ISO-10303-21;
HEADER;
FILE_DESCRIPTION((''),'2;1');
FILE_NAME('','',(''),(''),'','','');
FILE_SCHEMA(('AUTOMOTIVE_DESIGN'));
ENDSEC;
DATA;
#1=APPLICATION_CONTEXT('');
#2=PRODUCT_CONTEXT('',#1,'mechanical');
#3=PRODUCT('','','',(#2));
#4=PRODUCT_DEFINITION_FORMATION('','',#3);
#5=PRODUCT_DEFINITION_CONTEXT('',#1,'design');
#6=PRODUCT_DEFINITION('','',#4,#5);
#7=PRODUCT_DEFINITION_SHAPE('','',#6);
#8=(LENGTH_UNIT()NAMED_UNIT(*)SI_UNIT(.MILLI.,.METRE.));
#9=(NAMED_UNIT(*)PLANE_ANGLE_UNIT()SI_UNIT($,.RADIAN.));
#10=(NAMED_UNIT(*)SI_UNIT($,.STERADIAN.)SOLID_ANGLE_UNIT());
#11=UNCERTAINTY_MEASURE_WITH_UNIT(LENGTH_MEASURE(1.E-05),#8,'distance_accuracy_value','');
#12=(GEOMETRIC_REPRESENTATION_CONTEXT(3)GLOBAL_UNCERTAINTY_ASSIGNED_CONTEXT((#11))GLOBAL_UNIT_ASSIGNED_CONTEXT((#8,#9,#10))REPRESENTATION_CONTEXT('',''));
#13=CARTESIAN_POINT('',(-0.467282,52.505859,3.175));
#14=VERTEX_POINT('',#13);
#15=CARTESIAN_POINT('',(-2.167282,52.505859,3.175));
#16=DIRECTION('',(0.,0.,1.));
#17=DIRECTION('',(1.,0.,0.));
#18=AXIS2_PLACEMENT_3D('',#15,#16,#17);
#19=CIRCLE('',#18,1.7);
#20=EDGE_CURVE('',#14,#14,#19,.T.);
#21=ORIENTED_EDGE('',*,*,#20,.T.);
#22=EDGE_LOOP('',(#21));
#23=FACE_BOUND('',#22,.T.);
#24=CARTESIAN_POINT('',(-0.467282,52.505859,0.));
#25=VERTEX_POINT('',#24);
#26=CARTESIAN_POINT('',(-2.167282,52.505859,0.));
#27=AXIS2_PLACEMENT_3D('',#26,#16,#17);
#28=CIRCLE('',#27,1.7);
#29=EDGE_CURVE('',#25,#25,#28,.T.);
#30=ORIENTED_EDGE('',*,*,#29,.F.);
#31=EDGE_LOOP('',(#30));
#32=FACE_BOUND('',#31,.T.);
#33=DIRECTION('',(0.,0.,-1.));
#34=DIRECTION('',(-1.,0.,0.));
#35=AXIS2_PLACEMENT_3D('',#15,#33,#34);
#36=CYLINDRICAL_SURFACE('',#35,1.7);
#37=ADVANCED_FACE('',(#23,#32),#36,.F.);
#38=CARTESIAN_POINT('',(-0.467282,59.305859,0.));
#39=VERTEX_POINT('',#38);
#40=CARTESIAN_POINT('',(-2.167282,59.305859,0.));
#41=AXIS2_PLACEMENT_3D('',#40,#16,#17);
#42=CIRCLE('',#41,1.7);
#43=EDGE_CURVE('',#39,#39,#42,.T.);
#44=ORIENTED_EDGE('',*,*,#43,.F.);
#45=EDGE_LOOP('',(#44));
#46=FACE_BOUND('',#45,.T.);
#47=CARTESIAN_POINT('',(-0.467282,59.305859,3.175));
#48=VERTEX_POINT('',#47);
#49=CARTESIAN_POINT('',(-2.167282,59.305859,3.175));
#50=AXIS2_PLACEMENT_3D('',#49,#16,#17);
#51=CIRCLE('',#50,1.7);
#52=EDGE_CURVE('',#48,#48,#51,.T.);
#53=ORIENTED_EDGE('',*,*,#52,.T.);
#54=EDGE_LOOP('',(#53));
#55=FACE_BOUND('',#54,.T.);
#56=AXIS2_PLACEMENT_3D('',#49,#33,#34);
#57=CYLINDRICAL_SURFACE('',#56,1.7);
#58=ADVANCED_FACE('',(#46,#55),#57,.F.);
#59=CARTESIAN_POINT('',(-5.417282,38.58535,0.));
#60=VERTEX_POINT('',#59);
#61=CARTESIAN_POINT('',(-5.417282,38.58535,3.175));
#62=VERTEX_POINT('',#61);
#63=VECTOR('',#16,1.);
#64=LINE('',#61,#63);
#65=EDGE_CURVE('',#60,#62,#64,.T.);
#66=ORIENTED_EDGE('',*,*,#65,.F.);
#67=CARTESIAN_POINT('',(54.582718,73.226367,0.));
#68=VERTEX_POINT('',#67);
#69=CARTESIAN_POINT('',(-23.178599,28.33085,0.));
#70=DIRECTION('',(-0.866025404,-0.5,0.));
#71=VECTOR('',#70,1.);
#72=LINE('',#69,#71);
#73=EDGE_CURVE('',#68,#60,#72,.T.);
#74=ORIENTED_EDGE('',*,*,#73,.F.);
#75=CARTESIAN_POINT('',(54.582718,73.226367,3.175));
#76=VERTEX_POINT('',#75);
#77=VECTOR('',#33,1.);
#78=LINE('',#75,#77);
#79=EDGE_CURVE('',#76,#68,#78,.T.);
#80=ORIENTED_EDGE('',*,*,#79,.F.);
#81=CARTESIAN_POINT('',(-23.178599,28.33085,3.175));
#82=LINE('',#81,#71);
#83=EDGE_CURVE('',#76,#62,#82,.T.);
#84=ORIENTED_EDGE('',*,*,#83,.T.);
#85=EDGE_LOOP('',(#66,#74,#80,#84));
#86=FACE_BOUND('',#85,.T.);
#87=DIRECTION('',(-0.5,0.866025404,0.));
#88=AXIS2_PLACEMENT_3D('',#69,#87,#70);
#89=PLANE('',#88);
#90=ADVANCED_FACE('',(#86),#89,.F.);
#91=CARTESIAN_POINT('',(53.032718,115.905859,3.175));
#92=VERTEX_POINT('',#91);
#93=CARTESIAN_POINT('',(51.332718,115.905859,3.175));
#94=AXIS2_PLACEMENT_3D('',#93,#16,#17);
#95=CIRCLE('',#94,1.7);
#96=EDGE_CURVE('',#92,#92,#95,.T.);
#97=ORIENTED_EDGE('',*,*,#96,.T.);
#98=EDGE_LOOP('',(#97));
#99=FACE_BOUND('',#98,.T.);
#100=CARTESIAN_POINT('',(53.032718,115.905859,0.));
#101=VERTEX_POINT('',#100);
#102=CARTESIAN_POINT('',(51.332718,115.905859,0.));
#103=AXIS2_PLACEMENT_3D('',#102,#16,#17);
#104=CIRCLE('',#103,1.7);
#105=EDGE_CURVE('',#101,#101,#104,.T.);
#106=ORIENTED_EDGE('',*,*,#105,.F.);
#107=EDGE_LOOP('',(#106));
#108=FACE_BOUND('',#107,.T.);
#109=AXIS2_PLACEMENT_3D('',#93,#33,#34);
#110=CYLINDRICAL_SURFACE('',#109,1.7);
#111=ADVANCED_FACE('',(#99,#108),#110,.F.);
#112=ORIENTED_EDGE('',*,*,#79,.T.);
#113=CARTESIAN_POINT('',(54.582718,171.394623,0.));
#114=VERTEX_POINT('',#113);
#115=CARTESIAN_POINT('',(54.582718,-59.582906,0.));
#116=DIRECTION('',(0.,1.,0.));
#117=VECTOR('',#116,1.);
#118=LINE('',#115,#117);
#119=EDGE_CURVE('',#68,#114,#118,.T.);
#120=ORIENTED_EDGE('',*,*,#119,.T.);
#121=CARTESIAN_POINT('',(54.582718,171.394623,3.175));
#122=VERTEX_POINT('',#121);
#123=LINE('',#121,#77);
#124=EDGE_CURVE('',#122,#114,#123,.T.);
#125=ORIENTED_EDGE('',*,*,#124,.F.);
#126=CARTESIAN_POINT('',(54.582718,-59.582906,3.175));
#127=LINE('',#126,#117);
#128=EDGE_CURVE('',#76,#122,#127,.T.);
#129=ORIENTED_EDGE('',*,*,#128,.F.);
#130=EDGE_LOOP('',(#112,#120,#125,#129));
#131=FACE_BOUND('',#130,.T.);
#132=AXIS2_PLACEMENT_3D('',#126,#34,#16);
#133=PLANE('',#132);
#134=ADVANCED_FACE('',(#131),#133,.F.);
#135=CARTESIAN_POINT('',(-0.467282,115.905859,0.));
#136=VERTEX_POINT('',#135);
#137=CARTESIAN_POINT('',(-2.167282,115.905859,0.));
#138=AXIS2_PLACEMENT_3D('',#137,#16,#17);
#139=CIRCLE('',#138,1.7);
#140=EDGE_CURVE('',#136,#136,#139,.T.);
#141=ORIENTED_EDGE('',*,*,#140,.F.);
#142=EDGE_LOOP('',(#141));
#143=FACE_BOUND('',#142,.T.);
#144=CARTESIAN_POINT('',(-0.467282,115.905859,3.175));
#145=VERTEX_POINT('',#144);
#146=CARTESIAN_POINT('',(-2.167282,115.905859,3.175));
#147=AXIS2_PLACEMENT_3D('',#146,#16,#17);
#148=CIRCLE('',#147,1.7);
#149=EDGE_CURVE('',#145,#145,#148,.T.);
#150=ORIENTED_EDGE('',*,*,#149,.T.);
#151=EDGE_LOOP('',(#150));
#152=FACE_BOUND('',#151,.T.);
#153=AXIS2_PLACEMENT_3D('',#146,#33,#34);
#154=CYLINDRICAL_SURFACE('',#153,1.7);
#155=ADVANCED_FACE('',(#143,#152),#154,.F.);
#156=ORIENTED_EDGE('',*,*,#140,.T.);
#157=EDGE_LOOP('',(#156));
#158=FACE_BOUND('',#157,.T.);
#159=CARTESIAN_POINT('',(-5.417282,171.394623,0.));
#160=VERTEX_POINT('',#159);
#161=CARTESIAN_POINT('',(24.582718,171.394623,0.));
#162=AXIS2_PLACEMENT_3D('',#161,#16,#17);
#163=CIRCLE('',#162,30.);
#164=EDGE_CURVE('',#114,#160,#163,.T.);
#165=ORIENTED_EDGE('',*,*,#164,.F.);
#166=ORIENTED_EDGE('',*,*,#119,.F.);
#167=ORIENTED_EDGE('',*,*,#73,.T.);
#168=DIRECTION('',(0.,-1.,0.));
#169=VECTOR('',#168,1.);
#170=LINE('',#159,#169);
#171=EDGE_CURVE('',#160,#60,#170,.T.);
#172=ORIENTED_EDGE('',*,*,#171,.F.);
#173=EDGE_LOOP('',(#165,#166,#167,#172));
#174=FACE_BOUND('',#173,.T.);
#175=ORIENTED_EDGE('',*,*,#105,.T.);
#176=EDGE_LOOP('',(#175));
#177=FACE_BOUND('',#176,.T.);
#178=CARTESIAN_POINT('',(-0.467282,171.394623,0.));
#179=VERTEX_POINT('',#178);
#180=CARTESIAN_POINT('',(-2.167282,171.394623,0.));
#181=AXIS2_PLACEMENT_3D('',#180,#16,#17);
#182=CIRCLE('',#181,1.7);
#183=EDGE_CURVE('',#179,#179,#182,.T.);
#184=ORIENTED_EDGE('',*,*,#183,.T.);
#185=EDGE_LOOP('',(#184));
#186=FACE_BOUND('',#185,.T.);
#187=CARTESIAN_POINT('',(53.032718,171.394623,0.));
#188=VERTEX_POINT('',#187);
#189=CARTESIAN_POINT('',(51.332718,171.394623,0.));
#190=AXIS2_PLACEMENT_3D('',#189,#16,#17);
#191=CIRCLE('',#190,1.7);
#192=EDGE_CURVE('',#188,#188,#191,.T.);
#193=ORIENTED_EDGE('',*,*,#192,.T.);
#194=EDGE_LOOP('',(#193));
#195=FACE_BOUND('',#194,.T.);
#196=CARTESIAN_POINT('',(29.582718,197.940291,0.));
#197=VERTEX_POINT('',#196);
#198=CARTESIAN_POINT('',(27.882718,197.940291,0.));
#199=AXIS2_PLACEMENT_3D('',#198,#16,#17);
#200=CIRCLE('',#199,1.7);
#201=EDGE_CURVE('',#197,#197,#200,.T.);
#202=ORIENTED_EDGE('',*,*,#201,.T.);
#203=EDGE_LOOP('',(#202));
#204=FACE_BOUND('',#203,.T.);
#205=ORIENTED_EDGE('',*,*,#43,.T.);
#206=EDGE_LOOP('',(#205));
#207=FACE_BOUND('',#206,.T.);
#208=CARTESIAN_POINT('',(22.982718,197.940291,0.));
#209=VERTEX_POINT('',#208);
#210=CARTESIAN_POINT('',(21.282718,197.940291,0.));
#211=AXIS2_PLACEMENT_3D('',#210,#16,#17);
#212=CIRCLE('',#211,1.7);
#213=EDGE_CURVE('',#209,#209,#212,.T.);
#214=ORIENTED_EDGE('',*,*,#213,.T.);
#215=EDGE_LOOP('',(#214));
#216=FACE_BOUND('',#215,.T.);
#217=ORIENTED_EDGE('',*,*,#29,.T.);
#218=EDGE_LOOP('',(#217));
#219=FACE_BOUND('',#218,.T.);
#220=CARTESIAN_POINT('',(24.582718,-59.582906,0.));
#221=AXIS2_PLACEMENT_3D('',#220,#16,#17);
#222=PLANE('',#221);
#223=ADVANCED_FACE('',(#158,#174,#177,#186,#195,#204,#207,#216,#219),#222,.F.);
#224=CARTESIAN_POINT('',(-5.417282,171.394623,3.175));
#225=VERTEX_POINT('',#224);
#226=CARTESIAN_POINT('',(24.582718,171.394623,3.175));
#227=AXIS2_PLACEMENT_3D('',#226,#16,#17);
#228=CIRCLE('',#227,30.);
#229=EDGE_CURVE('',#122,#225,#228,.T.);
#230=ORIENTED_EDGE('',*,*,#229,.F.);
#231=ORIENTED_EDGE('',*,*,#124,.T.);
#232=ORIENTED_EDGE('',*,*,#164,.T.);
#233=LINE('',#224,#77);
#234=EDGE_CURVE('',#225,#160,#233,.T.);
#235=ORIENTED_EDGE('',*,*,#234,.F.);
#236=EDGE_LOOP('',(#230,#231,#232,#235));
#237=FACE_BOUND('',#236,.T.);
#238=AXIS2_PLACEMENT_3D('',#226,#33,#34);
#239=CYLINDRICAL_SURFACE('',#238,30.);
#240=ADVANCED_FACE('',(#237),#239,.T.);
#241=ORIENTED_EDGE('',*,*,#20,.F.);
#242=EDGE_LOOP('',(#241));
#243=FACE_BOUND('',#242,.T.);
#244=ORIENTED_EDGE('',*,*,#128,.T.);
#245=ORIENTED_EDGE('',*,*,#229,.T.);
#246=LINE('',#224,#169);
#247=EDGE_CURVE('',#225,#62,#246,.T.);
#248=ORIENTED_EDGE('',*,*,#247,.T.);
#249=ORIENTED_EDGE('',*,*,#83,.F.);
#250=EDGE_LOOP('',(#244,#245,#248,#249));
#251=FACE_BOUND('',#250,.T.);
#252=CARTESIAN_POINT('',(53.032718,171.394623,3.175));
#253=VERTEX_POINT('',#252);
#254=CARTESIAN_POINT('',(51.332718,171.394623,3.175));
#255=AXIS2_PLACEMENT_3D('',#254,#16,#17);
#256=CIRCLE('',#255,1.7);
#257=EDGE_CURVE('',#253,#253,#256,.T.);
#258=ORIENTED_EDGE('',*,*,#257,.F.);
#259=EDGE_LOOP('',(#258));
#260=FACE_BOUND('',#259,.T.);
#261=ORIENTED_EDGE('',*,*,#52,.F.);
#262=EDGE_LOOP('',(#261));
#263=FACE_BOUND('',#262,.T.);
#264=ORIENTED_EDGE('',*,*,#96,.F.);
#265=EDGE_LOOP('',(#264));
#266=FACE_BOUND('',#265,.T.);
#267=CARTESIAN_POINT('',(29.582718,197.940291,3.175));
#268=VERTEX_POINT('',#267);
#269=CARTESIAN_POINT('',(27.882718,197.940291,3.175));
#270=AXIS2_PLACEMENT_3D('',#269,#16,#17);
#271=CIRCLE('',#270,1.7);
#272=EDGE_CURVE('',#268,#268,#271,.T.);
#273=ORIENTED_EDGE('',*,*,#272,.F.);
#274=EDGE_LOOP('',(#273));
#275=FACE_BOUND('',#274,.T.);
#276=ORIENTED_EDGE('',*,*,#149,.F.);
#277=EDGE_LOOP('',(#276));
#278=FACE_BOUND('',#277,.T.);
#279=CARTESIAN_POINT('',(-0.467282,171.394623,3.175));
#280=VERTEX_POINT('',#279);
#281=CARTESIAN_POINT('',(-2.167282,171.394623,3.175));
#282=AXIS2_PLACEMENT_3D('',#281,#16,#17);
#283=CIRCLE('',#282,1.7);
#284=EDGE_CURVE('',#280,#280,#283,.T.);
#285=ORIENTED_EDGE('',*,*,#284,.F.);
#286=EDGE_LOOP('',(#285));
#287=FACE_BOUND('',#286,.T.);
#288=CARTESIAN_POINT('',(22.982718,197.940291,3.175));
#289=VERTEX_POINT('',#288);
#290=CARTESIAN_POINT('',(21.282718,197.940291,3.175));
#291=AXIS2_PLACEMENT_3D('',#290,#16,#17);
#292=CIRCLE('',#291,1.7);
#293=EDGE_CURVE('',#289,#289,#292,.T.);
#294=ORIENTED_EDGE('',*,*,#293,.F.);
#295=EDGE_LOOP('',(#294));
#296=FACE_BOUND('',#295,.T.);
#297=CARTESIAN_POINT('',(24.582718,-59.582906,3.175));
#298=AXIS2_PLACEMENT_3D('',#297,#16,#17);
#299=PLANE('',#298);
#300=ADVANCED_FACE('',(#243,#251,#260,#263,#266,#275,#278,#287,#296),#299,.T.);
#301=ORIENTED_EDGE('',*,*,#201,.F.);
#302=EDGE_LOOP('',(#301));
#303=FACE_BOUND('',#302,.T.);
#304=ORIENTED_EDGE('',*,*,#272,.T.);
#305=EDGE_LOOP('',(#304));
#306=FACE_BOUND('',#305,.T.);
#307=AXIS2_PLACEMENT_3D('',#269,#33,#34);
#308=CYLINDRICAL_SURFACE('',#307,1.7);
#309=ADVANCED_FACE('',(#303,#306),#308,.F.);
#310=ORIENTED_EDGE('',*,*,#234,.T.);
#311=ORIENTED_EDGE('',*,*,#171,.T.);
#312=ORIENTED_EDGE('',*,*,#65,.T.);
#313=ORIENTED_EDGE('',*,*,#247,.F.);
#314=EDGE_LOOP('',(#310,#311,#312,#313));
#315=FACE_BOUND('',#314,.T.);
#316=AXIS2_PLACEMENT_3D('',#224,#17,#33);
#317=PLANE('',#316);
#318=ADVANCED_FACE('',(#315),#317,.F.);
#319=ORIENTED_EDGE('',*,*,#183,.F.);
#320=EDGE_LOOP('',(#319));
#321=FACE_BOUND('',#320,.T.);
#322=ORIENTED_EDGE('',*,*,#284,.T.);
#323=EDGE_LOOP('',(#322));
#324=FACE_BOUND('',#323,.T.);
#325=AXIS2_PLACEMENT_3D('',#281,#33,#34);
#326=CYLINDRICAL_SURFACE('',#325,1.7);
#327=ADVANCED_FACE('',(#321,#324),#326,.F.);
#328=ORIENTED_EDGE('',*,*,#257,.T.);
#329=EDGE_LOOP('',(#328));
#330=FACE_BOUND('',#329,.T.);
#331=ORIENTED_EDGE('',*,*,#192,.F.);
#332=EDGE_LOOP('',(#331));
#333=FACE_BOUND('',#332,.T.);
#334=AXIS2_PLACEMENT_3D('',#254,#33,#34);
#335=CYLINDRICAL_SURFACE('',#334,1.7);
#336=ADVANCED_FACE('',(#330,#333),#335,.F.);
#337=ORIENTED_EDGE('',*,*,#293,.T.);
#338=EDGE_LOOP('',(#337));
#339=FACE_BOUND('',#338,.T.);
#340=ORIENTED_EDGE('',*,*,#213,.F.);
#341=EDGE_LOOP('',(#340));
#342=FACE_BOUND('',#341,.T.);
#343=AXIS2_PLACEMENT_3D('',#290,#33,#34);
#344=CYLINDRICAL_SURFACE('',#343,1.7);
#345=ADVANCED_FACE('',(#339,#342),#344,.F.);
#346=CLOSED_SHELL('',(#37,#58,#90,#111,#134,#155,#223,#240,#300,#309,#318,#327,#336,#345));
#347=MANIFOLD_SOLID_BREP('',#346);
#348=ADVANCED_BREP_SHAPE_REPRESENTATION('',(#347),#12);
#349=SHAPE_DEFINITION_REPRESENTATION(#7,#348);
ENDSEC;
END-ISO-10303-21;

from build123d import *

# Parameters (mm, degrees)
SKETCH2_R           = 1.7
BOSS_EXTRUDE1_DEPTH = 3.175
CUT_EXTRUDE1_DEPTH  = 4.175


with BuildPart() as part:
    # Sketch2 → Boss-Extrude1 (new body)
    with BuildSketch(Plane.XY):
        with BuildLine():
            Line((54.582717937, -59.58290593), (54.582717937, 171.394622999))
            ThreePointArc((54.582717937, 171.394622999), (24.582717937, 201.394622999), (-5.417282063, 171.394622999))
            Line((-5.417282063, 171.394622999), (-5.417282063, -59.58290593))
            ThreePointArc((-5.417282063, -59.58290593), (24.582717937, -89.58290593), (54.582717937, -59.58290593))
        make_face()
        with Locations((27.882717937, 197.940291196)):
            Circle(SKETCH2_R, mode=Mode.SUBTRACT)
        with Locations((-2.167282063, -59.58290593)):
            Circle(SKETCH2_R, mode=Mode.SUBTRACT)
        with Locations((5.667611541, -78.498012327)):
            Circle(SKETCH2_R, mode=Mode.SUBTRACT)
        with Locations((21.182717937, -86.115951364)):
            Circle(SKETCH2_R, mode=Mode.SUBTRACT)
        with Locations((51.332717937, 171.394622999)):
            Circle(SKETCH2_R, mode=Mode.SUBTRACT)
        with Locations((-2.167282063, 59.305858535)):
            Circle(SKETCH2_R, mode=Mode.SUBTRACT)
        with Locations((27.982717937, -86.115951364)):
            Circle(SKETCH2_R, mode=Mode.SUBTRACT)
        with Locations((-2.167282063, 171.394622999)):
            Circle(SKETCH2_R, mode=Mode.SUBTRACT)
        with Locations((51.332717937, 115.905858535)):
            Circle(SKETCH2_R, mode=Mode.SUBTRACT)
        with Locations((-2.167282063, 115.905858535)):
            Circle(SKETCH2_R, mode=Mode.SUBTRACT)
        with Locations((43.497824334, -78.498012327)):
            Circle(SKETCH2_R, mode=Mode.SUBTRACT)
        with Locations((51.332717937, -59.58290593)):
            Circle(SKETCH2_R, mode=Mode.SUBTRACT)
        with Locations((51.332717937, -34.094141465)):
            Circle(SKETCH2_R, mode=Mode.SUBTRACT)
        with Locations((-2.167282063, -34.094141465)):
            Circle(SKETCH2_R, mode=Mode.SUBTRACT)
        with Locations((51.332717937, -4.094141465)):
            Circle(SKETCH2_R, mode=Mode.SUBTRACT)
        with Locations((-2.167282063, -4.094141465)):
            Circle(SKETCH2_R, mode=Mode.SUBTRACT)
        with Locations((51.332717937, 25.905858535)):
            Circle(SKETCH2_R, mode=Mode.SUBTRACT)
        with Locations((-2.167282063, 25.905858535)):
            Circle(SKETCH2_R, mode=Mode.SUBTRACT)
        with Locations((21.282717937, 197.940291196)):
            Circle(SKETCH2_R, mode=Mode.SUBTRACT)
        with Locations((51.332717937, 52.505858535)):
            Circle(SKETCH2_R, mode=Mode.SUBTRACT)
        with Locations((51.332717937, 59.305858535)):
            Circle(SKETCH2_R, mode=Mode.SUBTRACT)
        with Locations((-2.167282063, 52.505858535)):
            Circle(SKETCH2_R, mode=Mode.SUBTRACT)
    extrude(amount=BOSS_EXTRUDE1_DEPTH)

    # Sketch3 → Cut-Extrude1 (cut, through all)
    with BuildSketch(Plane.XY.offset(3.175)):
        Polygon((-23.178598576, 28.330849589), (72.344034451, 83.480867481), (72.344034451, -133.046541286), (-23.178598576, -133.046541286), align=None)
    extrude(amount=-CUT_EXTRUDE1_DEPTH, mode=Mode.SUBTRACT)


solid = part.part
